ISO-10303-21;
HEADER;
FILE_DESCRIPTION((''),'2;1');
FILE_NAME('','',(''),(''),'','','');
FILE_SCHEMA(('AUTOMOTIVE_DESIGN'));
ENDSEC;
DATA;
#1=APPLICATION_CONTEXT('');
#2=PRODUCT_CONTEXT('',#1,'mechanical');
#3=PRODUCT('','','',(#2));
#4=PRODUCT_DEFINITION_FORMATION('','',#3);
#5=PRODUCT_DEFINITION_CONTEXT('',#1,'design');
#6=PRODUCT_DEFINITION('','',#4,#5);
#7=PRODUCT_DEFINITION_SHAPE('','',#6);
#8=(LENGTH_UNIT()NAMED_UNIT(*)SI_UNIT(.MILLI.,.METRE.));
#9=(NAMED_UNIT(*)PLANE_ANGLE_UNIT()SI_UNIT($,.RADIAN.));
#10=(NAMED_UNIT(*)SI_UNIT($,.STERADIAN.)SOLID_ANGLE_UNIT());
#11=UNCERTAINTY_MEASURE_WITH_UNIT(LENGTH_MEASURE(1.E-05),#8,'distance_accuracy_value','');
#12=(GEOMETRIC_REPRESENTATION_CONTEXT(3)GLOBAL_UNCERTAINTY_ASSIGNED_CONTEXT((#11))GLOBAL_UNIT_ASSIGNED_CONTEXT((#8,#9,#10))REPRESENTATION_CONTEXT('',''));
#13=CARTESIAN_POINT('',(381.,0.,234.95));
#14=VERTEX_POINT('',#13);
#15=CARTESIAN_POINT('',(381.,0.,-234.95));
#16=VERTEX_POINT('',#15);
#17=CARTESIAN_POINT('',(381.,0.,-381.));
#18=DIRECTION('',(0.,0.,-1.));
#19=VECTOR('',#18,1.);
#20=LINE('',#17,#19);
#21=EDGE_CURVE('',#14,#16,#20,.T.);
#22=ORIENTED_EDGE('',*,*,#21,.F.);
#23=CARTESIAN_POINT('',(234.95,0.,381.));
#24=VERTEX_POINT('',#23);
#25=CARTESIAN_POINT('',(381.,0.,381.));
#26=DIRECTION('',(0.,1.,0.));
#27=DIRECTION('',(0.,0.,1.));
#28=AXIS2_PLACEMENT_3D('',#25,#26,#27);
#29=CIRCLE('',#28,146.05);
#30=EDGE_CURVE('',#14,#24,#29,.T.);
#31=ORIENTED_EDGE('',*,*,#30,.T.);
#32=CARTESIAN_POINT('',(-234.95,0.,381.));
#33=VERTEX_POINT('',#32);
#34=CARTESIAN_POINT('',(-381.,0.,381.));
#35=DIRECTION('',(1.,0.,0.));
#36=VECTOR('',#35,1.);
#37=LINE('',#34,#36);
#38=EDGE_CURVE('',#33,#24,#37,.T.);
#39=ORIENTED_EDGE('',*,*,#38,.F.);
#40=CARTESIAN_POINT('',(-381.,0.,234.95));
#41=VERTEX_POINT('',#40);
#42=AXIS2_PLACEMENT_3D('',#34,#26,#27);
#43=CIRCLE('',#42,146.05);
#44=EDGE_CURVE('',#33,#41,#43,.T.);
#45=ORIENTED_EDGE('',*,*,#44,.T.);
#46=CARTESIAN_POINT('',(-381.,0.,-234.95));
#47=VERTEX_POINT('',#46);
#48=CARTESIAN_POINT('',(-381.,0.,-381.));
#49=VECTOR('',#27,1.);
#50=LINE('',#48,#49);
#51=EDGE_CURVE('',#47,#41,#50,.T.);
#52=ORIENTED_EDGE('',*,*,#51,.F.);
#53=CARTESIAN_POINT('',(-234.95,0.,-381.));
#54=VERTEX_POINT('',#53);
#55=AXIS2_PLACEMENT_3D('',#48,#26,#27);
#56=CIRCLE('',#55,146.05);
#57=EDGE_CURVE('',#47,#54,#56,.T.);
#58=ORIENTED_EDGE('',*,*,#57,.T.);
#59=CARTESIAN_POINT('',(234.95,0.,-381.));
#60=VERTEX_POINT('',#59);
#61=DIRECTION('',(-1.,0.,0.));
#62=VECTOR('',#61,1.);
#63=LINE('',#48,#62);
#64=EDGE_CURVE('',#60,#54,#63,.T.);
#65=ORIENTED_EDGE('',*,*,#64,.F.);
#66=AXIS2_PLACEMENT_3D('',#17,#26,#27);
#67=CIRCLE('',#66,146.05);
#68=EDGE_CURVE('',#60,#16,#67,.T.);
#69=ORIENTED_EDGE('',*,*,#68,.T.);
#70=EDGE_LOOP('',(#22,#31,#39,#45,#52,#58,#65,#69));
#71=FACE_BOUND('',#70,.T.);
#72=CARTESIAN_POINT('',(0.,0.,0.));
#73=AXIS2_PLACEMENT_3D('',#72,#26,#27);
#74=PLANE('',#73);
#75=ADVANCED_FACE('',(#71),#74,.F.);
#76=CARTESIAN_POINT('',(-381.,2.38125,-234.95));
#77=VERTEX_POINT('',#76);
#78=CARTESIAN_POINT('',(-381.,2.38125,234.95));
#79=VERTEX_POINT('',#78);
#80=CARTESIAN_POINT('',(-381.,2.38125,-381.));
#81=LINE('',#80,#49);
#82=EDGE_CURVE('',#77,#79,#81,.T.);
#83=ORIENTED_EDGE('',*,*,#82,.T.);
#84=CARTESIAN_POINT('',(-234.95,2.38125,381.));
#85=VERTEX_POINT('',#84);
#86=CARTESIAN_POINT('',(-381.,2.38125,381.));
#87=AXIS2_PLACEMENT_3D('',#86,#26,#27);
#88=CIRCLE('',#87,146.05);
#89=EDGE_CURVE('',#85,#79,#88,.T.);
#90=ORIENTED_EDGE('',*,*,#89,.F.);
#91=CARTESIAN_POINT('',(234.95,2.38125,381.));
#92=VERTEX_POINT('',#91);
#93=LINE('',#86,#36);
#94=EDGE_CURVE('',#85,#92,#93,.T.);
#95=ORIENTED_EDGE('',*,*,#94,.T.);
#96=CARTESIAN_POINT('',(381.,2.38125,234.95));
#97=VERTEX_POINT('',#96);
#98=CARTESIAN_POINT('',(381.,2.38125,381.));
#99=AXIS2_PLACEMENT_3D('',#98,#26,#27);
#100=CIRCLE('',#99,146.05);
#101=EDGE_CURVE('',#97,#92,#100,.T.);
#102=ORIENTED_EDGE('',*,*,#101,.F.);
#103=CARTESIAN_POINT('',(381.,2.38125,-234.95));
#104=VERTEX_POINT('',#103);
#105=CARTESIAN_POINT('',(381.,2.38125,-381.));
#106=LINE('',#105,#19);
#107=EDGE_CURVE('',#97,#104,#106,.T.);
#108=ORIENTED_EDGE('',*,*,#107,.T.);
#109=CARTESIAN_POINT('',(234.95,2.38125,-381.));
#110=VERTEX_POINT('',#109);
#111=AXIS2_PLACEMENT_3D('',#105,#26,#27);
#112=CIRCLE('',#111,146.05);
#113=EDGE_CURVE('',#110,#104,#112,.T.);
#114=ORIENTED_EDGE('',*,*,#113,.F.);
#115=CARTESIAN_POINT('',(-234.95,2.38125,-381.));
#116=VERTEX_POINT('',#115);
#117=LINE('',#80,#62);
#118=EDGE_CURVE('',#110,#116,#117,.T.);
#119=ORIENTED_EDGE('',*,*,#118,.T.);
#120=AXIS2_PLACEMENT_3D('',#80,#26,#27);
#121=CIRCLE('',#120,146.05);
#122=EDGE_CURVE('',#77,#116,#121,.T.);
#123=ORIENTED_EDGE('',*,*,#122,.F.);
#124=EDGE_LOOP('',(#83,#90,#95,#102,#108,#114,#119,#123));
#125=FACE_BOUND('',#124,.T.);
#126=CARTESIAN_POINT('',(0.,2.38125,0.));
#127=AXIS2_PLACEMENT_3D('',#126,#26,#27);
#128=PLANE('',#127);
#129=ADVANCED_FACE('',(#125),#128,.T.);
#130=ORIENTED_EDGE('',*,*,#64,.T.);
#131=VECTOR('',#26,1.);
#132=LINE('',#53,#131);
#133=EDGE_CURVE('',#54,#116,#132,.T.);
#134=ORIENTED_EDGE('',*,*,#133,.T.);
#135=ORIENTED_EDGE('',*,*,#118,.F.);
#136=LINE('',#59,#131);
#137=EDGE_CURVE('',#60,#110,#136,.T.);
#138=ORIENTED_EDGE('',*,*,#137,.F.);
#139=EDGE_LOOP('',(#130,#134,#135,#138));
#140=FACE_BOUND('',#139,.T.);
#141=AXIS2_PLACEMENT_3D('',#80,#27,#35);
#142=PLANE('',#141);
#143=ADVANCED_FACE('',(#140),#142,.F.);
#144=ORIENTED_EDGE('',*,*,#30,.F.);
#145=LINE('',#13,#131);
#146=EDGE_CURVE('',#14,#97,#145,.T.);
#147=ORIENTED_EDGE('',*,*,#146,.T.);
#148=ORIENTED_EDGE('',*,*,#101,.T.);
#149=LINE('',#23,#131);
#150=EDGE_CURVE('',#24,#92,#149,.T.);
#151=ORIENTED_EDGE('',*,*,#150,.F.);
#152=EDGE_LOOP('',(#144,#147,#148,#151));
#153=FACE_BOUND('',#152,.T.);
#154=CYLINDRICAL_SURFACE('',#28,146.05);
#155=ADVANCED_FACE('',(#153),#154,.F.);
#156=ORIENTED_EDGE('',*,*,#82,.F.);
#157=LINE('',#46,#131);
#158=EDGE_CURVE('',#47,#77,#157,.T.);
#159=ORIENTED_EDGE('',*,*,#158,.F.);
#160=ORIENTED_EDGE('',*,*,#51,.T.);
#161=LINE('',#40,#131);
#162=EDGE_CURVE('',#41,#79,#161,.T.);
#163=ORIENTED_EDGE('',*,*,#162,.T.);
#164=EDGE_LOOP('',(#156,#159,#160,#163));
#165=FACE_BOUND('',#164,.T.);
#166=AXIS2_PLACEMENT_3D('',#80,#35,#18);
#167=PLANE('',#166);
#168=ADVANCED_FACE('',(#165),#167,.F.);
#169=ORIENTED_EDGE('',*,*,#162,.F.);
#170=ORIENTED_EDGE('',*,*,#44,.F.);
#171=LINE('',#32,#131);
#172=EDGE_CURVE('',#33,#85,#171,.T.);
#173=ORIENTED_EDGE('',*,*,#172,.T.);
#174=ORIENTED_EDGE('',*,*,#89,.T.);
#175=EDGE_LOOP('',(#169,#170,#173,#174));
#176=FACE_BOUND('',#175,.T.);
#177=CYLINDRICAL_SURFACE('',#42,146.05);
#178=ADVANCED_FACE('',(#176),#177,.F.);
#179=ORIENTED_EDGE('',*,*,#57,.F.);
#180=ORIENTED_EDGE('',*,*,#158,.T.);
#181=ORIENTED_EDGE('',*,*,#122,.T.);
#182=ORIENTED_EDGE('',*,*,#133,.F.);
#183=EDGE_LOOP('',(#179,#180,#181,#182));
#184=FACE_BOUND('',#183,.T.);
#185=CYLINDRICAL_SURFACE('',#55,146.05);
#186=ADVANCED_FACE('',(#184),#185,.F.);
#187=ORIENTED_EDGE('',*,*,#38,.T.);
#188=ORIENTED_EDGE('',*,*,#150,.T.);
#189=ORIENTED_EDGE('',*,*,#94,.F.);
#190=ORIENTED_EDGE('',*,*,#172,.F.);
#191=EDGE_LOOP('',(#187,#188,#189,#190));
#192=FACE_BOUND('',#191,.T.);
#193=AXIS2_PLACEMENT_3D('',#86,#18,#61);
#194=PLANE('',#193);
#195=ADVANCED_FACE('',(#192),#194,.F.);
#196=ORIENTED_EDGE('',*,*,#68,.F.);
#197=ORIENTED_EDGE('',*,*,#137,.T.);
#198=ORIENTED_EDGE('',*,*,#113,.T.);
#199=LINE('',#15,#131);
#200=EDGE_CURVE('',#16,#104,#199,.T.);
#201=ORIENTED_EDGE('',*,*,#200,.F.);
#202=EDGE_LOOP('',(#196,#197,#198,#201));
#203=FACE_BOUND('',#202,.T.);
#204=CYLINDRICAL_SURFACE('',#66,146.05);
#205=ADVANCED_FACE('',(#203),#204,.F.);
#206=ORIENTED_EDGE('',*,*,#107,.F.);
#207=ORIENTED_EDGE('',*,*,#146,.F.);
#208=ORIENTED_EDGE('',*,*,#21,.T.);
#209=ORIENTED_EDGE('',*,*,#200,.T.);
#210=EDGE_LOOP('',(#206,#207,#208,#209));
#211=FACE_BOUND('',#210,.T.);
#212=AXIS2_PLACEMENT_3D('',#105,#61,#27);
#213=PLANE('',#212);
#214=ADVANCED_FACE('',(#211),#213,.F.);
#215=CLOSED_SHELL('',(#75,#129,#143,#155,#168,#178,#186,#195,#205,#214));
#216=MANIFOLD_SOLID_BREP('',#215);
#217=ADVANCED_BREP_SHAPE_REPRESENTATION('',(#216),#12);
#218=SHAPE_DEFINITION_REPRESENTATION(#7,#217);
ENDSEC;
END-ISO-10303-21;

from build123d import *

# Parameters (mm, degrees)
SKETCH1_W           = 762
SKETCH1_H           = 762
BOSS_EXTRUDE1_DEPTH = 2.38125
CUT_EXTRUDE1_DEPTH  = 3.38125


with BuildPart() as part:
    # Sketch1 → Boss-Extrude1 (new body)
    with BuildSketch(Plane(origin=(0, 0, 0), x_dir=(1, 0, 0), z_dir=(0, 1, 0))):
        Rectangle(SKETCH1_W, SKETCH1_H)
    extrude(amount=BOSS_EXTRUDE1_DEPTH)

    # Sketch2 → Cut-Extrude1 (cut, through all)
    with BuildSketch(Plane(origin=(0, 2.38125, 0), x_dir=(1, 0, 0), z_dir=(0, 1, 0))):
        with BuildLine():
            Line((234.95, 381), (381, 381))
            Line((381, 381), (381, 234.95))
            ThreePointArc((381, 234.95), (277.727054608, 277.727054608), (234.95, 381))
        make_face()
        with BuildLine():
            Line((381, -234.95), (381, -381))
            Line((381, -381), (234.95, -381))
            ThreePointArc((234.95, -381), (277.727054608, -277.727054608), (381, -234.95))
        make_face()
        with BuildLine():
            Line((-234.95, -381), (-381, -381))
            Line((-381, -381), (-381, -234.95))
            ThreePointArc((-381, -234.95), (-277.727054608, -277.727054608), (-234.95, -381))
        make_face()
        with BuildLine():
            Line((-381, 234.95), (-381, 381))
            Line((-381, 381), (-234.95, 381))
            ThreePointArc((-234.95, 381), (-277.727054608, 277.727054608), (-381, 234.95))
        make_face()
    extrude(amount=-CUT_EXTRUDE1_DEPTH, mode=Mode.SUBTRACT)


solid = part.part
